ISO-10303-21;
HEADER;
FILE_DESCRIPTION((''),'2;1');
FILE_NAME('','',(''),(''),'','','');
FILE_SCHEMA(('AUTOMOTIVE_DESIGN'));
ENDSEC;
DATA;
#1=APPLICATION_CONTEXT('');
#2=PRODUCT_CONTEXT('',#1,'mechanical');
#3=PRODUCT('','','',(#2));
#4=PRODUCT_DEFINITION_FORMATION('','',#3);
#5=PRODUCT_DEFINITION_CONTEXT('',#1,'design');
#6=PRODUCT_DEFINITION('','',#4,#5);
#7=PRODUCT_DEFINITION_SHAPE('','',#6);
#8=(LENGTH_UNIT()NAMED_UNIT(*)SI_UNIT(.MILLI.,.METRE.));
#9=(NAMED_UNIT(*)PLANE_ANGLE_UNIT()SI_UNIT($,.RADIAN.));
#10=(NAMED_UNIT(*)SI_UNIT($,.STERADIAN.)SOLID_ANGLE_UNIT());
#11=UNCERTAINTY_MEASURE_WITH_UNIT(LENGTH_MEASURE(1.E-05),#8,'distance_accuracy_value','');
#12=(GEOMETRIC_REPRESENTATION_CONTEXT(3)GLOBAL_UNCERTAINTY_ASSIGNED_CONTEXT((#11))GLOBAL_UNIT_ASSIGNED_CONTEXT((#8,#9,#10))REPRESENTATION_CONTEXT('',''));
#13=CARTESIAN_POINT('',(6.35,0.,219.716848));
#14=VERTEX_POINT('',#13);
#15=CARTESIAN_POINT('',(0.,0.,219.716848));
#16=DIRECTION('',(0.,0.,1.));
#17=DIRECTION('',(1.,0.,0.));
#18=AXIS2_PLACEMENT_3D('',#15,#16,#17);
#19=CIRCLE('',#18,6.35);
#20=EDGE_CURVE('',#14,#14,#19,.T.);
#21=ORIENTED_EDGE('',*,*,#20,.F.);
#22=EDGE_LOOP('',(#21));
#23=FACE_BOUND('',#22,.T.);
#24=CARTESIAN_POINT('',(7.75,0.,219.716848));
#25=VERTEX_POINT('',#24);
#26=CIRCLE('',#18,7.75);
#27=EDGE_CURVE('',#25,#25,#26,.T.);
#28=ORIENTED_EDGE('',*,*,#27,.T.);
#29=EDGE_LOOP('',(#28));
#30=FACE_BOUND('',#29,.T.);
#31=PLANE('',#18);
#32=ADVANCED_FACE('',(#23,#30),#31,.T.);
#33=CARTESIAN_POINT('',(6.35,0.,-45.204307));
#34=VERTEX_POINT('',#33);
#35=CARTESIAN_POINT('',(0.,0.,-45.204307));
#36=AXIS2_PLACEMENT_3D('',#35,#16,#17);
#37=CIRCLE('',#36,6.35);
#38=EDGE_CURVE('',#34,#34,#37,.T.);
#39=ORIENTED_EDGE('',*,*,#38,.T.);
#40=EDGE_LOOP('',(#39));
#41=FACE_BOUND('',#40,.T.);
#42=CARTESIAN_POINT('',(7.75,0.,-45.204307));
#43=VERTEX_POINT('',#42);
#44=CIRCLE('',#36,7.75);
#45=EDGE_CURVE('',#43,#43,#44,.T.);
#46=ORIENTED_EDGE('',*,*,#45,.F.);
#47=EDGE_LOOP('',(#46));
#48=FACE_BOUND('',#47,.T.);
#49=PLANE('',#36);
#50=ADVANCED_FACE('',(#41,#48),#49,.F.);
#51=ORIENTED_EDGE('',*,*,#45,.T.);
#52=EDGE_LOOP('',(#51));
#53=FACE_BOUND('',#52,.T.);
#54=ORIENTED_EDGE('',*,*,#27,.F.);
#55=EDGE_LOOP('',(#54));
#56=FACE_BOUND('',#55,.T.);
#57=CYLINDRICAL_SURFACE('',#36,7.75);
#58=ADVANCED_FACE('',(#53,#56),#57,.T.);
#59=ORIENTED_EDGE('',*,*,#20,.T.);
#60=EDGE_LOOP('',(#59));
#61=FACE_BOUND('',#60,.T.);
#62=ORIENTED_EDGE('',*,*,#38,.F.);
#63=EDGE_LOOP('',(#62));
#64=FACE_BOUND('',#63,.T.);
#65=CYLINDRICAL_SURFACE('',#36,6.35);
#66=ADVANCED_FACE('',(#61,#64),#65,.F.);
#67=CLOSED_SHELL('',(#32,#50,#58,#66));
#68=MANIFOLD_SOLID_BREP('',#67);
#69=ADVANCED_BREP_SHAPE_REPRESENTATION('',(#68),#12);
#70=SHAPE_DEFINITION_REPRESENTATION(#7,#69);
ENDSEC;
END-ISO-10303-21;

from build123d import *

# Parameters (mm, degrees)
SZKIC1_R                         = 7.75
SZKIC1_R_2                       = 6.35
DODANIE_WYCI_GNI_CIE1_DEPTH      = 219.716847891
DODANIE_WYCI_GNI_CIE1_DEPTH_BACK = 45.204307067


with BuildPart() as part:
    # Szkic1 → Dodanie-wyciągnięcie1 (new body, two sides)
    with BuildSketch(Plane.XY) as dodanie_wyci_gni_cie1_sk:
        Circle(SZKIC1_R)
        Circle(SZKIC1_R_2, mode=Mode.SUBTRACT)
    extrude(amount=DODANIE_WYCI_GNI_CIE1_DEPTH)
    extrude(dodanie_wyci_gni_cie1_sk.sketch, amount=-DODANIE_WYCI_GNI_CIE1_DEPTH_BACK)


solid = part.part
